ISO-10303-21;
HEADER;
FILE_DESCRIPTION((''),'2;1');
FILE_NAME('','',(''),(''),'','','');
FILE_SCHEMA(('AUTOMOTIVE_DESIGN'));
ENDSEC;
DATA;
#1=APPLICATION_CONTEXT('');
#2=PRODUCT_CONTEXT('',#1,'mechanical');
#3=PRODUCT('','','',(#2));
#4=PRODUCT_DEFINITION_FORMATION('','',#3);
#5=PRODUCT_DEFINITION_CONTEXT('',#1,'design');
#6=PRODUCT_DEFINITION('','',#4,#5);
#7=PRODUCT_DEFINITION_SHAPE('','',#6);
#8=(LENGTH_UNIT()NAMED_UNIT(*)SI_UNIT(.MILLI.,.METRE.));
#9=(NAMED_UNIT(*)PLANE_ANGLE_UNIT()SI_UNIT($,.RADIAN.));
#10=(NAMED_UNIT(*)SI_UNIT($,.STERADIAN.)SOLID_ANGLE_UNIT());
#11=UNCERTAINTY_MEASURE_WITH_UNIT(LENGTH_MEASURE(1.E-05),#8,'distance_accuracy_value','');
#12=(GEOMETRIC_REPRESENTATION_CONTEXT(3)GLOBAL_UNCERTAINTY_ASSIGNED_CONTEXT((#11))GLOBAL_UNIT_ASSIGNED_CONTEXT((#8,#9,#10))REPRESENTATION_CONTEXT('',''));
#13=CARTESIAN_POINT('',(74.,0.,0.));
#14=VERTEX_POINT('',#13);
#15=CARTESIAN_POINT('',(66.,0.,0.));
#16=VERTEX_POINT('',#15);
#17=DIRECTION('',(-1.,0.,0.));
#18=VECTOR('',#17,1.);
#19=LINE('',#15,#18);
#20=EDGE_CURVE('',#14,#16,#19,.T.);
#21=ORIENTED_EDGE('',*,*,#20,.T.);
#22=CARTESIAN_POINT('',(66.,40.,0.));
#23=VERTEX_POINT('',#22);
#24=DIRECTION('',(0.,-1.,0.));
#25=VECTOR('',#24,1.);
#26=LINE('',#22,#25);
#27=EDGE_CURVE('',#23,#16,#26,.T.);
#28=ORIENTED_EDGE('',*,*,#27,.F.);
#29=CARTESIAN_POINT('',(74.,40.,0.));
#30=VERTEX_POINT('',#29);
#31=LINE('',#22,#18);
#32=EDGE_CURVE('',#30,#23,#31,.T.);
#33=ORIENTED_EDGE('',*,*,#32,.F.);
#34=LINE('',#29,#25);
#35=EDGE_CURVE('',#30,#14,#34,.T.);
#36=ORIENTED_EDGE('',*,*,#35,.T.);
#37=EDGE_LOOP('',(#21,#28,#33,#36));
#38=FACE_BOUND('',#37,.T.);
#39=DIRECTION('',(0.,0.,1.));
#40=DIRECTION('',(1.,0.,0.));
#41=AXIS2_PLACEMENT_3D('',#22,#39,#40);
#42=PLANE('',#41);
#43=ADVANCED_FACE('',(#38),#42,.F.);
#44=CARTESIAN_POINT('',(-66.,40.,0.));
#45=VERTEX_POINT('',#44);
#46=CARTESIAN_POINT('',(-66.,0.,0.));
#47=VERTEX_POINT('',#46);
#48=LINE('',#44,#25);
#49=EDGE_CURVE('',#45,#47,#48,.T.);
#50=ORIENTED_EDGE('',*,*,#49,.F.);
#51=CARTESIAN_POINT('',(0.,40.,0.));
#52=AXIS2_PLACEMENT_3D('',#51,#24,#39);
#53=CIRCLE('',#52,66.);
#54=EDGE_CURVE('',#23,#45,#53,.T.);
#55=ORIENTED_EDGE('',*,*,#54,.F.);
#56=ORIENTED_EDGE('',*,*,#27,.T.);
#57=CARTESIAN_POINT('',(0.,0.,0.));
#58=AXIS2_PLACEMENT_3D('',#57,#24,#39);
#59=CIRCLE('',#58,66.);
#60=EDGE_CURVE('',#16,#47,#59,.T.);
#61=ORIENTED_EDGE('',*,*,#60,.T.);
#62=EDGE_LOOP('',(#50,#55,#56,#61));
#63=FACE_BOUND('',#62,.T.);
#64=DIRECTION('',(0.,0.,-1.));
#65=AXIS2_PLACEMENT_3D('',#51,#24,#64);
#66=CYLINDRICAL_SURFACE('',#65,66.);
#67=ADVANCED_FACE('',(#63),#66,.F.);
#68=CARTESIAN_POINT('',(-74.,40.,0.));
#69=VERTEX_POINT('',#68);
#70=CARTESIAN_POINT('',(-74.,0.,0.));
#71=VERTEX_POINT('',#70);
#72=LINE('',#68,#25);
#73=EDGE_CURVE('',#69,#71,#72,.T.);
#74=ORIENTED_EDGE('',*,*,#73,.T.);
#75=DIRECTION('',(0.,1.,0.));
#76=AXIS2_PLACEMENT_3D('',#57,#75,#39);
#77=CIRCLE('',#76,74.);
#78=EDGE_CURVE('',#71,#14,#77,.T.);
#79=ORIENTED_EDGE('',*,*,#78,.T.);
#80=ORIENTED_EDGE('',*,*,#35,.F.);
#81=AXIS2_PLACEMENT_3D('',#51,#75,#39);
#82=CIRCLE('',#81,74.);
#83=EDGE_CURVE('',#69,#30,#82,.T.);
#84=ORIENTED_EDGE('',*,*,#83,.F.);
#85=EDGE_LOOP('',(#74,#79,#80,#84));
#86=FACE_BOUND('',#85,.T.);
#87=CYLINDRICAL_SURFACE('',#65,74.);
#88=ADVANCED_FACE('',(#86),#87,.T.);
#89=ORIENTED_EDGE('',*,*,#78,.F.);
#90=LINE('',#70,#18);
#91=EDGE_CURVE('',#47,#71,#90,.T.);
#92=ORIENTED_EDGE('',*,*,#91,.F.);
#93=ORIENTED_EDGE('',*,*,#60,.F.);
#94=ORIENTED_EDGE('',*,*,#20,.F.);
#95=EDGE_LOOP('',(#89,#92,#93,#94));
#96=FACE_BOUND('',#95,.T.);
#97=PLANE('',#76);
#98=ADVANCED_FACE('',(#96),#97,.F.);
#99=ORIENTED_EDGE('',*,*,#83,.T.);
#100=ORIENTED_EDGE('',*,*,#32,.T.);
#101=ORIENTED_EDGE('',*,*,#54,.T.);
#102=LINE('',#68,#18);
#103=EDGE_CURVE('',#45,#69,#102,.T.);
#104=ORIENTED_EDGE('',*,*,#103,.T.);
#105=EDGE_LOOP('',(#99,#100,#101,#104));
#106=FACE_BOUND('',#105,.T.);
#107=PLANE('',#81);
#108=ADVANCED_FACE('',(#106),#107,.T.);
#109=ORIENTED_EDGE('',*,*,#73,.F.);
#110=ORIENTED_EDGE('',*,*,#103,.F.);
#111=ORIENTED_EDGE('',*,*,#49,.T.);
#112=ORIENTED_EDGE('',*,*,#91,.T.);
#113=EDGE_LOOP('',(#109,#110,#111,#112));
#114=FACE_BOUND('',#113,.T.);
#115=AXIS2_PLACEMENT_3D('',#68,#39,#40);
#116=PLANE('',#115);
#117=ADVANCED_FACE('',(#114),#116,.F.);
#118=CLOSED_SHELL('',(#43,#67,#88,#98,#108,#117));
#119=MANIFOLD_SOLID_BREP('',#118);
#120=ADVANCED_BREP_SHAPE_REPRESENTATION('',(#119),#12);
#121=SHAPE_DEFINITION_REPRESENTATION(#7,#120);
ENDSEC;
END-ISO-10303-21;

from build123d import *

# Parameters (mm, degrees)
EXTRUDE_1_DEPTH = 40


with BuildPart() as part:
    # 草图1 → 凸台-拉伸1 (new body)
    with BuildSketch(Plane(origin=(0, 0, 0), x_dir=(1, 0, 0), z_dir=(0, 1, 0))):
        with BuildLine():
            Line((-74, 0), (-66, 0))
            ThreePointArc((-66, 0), (0, -66), (66, 0))
            Line((66, 0), (74, 0))
            ThreePointArc((74, 0), (0, -74), (-74, 0))
        make_face()
    extrude(amount=EXTRUDE_1_DEPTH)


solid = part.part
